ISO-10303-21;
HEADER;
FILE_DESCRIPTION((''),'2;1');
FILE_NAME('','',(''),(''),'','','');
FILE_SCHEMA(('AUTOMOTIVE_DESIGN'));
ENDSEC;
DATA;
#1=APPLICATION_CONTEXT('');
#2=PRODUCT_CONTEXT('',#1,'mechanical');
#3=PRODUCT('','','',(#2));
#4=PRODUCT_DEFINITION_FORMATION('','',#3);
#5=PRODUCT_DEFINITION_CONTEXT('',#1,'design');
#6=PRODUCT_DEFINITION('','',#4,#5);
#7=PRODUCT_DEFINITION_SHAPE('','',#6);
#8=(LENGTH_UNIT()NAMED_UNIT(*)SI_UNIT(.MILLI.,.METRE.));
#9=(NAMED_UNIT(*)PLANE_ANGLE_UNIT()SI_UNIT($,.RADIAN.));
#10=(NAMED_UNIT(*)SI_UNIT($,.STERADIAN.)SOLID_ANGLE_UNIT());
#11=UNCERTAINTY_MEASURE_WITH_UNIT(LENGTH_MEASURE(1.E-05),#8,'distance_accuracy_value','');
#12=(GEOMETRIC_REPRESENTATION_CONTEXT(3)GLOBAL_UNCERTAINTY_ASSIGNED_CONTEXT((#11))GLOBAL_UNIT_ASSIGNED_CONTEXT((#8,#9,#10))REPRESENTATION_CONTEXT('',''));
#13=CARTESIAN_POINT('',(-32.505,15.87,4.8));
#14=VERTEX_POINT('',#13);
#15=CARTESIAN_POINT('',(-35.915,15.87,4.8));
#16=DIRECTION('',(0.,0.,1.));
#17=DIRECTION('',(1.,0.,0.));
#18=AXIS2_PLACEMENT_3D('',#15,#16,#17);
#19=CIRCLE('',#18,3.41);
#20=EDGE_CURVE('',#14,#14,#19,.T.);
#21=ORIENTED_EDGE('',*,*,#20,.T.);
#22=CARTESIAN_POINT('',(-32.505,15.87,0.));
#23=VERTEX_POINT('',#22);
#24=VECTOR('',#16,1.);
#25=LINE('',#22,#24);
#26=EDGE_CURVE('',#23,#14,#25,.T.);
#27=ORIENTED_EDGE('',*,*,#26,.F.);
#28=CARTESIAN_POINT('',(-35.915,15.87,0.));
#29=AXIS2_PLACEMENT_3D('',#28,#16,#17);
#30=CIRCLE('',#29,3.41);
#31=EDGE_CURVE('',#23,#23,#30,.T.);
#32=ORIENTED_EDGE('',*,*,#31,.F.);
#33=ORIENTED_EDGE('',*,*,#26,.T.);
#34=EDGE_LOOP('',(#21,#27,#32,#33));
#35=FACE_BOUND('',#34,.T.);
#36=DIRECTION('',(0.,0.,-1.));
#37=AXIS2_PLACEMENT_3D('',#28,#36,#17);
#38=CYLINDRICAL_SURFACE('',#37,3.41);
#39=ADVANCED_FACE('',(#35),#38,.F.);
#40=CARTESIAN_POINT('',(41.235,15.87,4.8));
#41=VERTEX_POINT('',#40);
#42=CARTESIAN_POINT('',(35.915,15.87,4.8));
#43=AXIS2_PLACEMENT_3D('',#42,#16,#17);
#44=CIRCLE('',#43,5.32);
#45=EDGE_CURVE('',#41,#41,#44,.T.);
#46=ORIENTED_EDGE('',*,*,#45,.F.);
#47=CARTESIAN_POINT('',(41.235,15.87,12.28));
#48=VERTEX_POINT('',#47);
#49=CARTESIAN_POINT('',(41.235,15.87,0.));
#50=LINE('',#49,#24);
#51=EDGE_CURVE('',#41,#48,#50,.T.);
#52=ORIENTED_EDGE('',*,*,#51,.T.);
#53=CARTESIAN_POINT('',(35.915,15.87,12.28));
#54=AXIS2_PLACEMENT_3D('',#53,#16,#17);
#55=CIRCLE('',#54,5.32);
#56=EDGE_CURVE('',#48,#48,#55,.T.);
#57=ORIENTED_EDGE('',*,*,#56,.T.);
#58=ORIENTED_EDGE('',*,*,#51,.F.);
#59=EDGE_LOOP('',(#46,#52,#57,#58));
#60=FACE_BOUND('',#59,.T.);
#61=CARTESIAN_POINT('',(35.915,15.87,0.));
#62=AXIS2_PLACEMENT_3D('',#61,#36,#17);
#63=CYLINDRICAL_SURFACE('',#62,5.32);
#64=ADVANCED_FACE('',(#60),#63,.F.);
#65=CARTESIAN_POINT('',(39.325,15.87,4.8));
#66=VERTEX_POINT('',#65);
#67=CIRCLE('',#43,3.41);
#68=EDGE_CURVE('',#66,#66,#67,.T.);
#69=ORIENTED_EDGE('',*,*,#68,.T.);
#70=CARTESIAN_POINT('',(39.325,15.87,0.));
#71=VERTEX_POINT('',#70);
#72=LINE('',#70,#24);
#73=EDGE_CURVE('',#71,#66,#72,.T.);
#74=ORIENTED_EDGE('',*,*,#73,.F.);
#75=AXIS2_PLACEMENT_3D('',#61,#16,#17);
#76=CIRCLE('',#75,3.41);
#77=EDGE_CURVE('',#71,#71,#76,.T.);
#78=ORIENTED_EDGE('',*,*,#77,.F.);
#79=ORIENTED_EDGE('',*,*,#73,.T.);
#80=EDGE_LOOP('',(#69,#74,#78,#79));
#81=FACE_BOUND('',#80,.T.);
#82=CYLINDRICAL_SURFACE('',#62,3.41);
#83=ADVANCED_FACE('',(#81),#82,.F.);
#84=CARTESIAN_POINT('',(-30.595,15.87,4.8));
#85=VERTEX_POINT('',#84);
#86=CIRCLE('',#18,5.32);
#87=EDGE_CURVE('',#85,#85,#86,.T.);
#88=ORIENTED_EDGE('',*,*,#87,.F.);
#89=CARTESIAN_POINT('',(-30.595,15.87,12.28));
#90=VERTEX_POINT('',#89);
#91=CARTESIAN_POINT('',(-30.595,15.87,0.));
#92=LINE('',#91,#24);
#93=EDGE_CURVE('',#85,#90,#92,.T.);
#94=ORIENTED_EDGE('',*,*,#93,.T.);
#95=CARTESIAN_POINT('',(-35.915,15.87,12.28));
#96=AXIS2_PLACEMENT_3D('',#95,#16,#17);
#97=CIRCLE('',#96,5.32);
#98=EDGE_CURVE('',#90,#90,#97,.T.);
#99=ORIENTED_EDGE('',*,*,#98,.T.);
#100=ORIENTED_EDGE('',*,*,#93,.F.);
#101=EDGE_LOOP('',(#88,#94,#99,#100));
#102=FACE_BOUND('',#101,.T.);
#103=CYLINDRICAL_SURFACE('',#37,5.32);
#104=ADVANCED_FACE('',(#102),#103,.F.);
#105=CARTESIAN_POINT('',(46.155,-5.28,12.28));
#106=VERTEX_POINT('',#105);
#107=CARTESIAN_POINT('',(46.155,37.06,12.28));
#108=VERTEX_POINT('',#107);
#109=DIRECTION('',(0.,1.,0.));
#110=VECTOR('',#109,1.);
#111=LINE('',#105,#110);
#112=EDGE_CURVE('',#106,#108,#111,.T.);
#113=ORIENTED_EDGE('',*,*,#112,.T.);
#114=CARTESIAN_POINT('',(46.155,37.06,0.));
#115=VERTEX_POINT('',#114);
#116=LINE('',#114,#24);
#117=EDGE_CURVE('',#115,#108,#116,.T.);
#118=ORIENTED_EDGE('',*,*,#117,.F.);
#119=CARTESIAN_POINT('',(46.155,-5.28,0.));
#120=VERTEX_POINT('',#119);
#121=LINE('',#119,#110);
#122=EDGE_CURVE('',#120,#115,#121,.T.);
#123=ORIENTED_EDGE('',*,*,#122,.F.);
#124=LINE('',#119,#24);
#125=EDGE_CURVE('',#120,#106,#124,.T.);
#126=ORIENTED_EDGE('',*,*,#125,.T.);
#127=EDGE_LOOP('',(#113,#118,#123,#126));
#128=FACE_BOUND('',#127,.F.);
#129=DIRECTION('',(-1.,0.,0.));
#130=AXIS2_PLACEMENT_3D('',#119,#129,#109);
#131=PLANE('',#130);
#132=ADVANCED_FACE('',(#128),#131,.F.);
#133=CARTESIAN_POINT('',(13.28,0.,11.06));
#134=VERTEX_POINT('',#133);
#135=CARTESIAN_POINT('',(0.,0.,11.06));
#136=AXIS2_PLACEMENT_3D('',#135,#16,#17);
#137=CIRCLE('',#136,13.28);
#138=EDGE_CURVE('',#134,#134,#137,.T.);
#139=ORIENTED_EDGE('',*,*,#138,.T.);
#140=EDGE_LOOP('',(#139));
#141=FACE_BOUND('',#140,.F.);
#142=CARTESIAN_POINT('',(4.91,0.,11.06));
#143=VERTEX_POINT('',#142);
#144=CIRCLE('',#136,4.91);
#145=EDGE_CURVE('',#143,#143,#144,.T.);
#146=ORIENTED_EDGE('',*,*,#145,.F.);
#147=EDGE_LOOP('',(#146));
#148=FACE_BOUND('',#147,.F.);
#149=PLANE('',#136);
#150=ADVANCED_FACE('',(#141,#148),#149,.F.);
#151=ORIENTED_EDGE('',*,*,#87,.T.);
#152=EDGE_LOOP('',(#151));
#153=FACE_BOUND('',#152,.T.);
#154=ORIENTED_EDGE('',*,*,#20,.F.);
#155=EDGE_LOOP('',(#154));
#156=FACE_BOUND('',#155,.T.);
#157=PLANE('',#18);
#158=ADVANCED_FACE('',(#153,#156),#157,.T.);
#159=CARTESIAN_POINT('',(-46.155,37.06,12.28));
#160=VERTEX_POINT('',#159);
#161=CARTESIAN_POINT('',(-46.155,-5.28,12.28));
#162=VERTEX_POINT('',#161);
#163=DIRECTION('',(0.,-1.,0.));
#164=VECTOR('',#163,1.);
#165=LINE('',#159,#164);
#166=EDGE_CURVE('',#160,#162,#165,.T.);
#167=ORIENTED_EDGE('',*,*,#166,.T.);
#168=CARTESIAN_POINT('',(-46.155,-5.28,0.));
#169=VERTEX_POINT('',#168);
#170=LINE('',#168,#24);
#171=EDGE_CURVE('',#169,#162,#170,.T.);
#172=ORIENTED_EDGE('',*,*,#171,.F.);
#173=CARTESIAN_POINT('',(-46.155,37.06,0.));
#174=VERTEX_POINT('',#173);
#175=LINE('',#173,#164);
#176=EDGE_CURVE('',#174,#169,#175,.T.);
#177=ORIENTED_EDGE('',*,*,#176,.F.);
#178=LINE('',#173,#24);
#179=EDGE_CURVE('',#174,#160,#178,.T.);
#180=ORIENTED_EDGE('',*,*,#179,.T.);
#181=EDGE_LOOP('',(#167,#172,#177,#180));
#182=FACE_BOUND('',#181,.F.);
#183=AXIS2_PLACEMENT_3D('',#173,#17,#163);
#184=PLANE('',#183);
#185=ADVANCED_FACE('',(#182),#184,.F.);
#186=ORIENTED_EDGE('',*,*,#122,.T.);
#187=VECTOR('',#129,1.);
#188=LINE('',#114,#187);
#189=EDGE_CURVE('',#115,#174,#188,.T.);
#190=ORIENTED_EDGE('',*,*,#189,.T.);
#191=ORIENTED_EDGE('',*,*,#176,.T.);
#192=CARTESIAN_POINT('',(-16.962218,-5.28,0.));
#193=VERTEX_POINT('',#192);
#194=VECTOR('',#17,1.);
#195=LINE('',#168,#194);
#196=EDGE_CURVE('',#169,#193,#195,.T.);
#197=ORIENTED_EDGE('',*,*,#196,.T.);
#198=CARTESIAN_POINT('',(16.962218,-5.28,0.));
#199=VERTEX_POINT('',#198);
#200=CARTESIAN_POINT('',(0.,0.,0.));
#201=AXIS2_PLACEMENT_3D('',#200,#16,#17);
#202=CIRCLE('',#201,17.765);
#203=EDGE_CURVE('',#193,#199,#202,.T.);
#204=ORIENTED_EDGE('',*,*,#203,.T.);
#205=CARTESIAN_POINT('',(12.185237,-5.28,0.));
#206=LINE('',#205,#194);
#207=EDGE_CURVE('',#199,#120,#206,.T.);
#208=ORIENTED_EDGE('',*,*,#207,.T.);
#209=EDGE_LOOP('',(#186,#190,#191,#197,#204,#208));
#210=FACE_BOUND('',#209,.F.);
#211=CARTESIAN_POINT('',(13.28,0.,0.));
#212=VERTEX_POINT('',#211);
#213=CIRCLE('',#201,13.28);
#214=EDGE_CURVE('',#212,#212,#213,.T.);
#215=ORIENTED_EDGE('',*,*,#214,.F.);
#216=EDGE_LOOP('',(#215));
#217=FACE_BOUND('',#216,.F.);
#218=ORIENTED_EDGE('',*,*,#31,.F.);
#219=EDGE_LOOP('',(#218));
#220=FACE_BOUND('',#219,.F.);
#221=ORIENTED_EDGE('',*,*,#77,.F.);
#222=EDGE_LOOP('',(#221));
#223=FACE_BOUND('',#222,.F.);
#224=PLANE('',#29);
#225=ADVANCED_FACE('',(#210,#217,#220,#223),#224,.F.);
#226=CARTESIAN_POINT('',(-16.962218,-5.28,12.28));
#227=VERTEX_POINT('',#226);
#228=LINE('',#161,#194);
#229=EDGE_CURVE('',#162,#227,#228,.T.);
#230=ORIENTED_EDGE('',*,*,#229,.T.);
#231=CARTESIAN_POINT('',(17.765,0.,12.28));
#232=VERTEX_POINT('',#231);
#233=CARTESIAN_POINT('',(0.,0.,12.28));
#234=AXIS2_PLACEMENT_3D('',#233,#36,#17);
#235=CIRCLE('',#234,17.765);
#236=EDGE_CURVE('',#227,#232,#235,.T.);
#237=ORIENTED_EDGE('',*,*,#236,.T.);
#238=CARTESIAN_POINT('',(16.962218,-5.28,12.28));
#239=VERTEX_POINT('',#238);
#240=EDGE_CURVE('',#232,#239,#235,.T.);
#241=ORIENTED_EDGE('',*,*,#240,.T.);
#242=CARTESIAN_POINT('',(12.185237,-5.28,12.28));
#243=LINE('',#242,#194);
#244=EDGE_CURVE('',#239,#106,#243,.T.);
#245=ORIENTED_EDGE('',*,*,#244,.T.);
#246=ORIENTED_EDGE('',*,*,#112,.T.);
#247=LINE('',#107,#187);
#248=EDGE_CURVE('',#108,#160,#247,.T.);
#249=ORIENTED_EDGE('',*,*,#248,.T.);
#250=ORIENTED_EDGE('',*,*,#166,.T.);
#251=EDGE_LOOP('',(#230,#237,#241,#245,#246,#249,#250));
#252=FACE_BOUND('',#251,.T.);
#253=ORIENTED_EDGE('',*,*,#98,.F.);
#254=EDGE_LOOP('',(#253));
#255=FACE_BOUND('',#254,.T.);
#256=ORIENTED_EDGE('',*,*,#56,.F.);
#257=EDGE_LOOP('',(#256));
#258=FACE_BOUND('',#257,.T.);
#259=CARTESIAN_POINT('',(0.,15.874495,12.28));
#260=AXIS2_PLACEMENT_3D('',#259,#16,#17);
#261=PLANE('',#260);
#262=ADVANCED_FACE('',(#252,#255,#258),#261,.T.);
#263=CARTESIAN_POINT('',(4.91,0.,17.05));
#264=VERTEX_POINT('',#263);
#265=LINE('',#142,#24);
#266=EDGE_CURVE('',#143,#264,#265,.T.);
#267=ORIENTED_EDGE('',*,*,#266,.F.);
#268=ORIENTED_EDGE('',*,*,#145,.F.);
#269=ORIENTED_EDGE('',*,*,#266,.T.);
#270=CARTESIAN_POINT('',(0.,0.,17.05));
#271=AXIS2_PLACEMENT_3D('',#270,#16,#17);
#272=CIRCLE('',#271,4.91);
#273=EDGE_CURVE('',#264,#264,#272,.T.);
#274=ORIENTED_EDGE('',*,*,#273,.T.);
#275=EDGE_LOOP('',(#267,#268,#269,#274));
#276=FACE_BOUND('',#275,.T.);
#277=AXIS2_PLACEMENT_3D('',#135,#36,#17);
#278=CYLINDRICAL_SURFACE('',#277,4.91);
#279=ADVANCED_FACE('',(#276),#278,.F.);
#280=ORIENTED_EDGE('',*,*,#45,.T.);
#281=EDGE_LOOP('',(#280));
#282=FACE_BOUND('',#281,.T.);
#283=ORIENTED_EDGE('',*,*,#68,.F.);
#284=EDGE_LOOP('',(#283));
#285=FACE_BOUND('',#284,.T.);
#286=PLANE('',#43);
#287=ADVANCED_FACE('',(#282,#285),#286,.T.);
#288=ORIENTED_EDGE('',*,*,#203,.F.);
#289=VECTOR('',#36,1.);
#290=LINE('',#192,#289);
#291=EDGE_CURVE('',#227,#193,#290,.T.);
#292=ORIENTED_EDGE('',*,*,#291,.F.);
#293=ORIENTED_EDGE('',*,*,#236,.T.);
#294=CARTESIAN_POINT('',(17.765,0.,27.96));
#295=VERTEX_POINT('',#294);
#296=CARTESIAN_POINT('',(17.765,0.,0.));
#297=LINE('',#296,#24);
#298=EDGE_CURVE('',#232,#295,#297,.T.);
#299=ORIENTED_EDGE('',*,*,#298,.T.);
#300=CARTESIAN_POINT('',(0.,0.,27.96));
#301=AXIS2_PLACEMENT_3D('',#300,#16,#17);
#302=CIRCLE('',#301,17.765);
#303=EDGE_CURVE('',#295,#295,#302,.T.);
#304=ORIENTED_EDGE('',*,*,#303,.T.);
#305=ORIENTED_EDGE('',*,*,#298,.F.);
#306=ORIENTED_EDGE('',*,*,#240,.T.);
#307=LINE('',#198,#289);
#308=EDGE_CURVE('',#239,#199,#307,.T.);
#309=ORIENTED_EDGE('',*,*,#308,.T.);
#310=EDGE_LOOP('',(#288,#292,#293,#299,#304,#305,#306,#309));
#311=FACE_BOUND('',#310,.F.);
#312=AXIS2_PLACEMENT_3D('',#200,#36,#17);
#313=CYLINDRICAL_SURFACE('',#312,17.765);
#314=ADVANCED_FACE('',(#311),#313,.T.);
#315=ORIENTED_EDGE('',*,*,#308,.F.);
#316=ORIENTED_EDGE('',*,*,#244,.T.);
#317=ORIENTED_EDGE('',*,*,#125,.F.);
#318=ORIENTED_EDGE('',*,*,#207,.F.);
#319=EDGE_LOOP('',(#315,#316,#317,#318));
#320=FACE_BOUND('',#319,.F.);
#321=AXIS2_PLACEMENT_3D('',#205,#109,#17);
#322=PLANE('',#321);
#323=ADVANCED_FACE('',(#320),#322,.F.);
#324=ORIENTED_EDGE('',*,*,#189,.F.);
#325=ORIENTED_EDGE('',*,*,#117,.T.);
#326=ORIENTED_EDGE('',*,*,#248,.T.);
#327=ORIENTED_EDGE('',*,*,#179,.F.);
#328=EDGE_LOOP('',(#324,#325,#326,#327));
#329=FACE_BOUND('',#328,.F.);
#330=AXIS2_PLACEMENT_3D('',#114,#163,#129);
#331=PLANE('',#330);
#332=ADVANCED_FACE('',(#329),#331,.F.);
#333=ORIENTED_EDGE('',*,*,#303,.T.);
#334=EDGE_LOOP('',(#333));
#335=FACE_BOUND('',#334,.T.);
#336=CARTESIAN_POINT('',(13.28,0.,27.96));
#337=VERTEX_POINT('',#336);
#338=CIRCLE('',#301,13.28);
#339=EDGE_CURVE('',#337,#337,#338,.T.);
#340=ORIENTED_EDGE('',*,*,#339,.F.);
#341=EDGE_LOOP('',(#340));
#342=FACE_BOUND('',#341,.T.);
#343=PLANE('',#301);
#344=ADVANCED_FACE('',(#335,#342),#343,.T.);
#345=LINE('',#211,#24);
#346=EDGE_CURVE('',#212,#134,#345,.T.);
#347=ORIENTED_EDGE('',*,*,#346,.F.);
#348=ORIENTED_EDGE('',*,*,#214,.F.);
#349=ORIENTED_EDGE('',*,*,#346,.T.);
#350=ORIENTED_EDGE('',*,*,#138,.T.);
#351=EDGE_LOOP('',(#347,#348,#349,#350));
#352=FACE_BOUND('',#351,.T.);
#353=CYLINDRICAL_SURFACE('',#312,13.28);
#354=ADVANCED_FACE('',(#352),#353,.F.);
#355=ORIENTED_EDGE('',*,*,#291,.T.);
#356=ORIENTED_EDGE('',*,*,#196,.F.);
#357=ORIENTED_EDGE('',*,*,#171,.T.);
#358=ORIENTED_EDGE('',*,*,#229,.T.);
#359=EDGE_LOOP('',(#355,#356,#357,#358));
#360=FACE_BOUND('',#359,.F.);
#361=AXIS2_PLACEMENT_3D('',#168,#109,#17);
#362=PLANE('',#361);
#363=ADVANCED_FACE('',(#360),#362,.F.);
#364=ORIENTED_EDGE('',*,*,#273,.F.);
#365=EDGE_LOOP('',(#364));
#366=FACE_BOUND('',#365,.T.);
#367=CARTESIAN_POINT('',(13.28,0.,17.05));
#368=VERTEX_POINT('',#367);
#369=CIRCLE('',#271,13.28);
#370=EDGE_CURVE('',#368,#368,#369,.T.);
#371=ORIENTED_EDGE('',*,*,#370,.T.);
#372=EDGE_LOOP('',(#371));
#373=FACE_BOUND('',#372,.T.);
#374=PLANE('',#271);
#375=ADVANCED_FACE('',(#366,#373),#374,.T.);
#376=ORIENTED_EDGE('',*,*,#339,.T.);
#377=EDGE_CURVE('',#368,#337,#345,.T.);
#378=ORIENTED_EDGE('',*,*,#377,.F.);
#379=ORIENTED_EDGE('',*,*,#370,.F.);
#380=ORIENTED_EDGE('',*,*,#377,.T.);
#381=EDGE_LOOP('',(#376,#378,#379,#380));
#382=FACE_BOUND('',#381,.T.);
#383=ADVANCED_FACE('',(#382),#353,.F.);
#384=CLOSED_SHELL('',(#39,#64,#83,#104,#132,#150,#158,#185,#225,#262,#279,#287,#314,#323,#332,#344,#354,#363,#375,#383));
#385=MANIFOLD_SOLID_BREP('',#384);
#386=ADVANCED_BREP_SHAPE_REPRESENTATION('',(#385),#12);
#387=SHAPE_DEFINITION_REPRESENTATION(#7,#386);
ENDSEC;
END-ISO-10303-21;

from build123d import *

# Parameters (mm, degrees)
F0_R     = 17.765
F0_R_2   = 13.28
F1_DEPTH = 27.96
F2_START = 11.06
F0_R_3   = 4.91
F2_DEPTH = 5.99
F3_R     = 5.32
F4_DEPTH = 12.28
F3_R_2   = 3.41
F5_DEPTH = 4.8


with BuildPart() as f1:
    # F0 (on Top) → F1 (new body)
    with BuildSketch(Plane.XY):
        Circle(F0_R)
        Circle(F0_R_2, mode=Mode.SUBTRACT)
    extrude(amount=F1_DEPTH)

    # F0 (on Top) → F2 (join)
    with BuildSketch(Plane.XY.offset(F2_START)):
        Circle(F0_R_2)
        Circle(F0_R_3, mode=Mode.SUBTRACT)
    extrude(amount=F2_DEPTH)

    # F3 (on Top) → F4 (join)
    with BuildSketch(Plane.XY):
        with BuildLine():
            Line((46.155, -5.28), (46.155, 37.06))
            Line((46.155, 37.06), (-46.155, 37.06))
            Line((-46.155, 37.06), (-46.155, -5.28))
            Line((-46.155, -5.28), (-12.1852369694, -5.28))
            ThreePointArc((-12.1852369694, -5.28), (-2.6961503154, 13.0034292968), (13.28, 0))
            ThreePointArc((13.28, 0), (13.0034292968, -2.6961503154), (12.1852369694, -5.28))
            Line((12.1852369694, -5.28), (46.155, -5.28))
        make_face()
        with Locations((-35.915, 15.87)):
            Circle(F3_R, mode=Mode.SUBTRACT)
        with Locations((35.915, 15.87)):
            Circle(F3_R, mode=Mode.SUBTRACT)
    extrude(amount=F4_DEPTH)

    # F3 (on Top) → F5 (join)
    with BuildSketch(Plane.XY):
        with Locations((-35.915, 15.87)):
            Circle(F3_R)
        with Locations((-35.915, 15.87)):
            Circle(F3_R_2, mode=Mode.SUBTRACT)
        with Locations((35.915, 15.87)):
            Circle(F3_R)
        with Locations((35.915, 15.87)):
            Circle(F3_R_2, mode=Mode.SUBTRACT)
    extrude(amount=F5_DEPTH)


solid = f1.part
